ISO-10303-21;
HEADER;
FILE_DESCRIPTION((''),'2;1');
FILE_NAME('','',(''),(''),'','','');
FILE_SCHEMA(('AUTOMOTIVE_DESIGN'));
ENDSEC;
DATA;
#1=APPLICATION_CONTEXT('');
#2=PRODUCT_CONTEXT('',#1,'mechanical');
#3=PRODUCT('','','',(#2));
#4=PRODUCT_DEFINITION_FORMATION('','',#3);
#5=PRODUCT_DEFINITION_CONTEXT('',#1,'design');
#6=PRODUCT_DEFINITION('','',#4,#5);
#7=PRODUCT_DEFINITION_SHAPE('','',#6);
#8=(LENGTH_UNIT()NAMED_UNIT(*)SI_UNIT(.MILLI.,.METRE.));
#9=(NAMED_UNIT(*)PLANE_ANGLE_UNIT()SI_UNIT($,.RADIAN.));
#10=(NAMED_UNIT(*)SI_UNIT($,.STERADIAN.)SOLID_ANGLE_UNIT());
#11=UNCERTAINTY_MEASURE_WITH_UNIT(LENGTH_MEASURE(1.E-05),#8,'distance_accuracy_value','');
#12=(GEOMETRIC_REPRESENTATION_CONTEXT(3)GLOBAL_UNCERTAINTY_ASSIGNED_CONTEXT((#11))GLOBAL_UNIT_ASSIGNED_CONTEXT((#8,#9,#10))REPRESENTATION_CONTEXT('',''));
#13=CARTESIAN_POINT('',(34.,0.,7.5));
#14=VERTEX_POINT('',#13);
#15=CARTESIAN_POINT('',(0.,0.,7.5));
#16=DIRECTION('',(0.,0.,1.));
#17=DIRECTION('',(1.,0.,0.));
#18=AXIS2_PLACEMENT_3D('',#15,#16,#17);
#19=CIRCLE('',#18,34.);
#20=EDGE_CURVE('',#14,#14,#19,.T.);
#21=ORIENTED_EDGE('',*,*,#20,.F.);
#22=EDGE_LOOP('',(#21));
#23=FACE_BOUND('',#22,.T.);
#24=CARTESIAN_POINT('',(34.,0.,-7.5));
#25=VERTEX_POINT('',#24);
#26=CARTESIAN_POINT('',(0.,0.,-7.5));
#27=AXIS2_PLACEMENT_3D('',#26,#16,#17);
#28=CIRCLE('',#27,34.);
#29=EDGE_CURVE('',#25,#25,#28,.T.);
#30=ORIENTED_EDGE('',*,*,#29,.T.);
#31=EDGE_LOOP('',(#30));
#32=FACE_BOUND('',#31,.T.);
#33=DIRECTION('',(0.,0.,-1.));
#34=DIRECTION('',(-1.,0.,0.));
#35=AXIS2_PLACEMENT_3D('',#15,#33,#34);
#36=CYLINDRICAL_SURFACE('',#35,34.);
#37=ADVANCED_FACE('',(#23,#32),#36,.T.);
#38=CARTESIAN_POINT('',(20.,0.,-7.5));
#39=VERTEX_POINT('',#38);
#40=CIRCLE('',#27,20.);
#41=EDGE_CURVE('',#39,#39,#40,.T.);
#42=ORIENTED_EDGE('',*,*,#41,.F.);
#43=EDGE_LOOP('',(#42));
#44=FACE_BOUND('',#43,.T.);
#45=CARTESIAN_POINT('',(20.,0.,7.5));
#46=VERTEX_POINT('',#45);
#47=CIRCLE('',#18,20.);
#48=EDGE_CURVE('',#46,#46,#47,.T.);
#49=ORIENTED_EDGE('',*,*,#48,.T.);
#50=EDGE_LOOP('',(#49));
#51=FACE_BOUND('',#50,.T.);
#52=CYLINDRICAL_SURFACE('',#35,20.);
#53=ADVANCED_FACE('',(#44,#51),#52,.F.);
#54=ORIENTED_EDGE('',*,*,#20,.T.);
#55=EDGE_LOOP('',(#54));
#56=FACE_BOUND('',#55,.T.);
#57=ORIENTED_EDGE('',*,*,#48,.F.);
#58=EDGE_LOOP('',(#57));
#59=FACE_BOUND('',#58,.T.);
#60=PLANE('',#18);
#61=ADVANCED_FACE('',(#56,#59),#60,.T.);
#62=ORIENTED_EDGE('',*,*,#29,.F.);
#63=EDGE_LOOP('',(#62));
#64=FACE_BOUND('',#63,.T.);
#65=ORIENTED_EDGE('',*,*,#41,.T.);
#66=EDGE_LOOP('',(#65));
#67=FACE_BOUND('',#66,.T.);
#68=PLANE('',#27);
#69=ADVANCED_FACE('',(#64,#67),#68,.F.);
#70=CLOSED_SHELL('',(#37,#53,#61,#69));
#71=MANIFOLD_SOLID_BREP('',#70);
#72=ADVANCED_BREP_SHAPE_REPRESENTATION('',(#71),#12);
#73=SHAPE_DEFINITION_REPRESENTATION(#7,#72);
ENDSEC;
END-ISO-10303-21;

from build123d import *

# Parameters (mm, degrees)
SKETCH_1_R      = 34
SKETCH_1_R_2    = 20
EXTRUDE_1_DEPTH = 7.5


with BuildPart() as part:
    # 草图1 → 凸台-拉伸1 (new, symmetric)
    with BuildSketch(Plane.XY):
        Circle(SKETCH_1_R)
        Circle(SKETCH_1_R_2, mode=Mode.SUBTRACT)
    extrude(amount=EXTRUDE_1_DEPTH, both=True)


solid = part.part
